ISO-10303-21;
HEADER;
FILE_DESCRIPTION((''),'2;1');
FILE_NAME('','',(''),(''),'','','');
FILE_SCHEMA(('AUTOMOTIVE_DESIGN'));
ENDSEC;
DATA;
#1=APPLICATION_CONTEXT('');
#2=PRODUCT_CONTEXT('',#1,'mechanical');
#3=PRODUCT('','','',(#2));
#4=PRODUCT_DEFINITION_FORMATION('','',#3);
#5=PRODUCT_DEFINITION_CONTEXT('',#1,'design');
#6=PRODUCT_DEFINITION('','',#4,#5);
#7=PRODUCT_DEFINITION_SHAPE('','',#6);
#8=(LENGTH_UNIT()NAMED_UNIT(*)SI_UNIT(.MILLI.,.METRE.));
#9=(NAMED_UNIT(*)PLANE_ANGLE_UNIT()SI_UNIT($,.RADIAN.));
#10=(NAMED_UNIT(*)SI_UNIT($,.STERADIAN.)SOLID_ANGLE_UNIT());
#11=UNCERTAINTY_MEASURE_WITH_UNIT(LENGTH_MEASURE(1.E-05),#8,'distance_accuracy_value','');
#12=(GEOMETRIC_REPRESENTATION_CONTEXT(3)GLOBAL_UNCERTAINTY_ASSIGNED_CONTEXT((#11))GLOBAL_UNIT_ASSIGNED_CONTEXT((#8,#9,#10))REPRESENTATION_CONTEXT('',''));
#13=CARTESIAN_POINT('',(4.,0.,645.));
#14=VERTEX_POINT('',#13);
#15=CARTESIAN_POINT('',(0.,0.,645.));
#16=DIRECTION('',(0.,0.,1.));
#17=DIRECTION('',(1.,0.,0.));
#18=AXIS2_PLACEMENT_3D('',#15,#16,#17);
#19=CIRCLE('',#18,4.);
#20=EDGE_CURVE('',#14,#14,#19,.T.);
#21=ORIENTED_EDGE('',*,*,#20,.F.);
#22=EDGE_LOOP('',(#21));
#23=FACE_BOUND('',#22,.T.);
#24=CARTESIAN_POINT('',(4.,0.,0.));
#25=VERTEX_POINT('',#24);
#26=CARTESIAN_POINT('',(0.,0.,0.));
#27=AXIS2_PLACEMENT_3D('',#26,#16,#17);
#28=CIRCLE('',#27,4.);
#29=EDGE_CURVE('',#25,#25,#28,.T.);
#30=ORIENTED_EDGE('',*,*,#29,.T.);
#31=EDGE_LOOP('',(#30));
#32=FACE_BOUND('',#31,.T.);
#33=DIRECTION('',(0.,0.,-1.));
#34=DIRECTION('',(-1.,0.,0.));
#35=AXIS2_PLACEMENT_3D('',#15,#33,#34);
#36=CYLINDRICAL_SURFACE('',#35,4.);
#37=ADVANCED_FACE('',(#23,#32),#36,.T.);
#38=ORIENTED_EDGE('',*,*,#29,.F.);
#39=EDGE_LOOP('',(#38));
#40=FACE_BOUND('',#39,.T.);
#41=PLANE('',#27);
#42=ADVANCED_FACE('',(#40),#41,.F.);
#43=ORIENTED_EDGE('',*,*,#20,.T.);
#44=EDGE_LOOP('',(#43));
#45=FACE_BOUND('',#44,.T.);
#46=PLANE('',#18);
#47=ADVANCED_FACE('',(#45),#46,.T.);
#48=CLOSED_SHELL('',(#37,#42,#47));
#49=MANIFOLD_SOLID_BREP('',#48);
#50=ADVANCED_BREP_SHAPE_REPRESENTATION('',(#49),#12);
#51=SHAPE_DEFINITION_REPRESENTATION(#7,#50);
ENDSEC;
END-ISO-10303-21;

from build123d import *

# Parameters (mm, degrees)
SKETCH_1_R      = 4
EXTRUDE_1_DEPTH = 645


with BuildPart() as part:
    # 草图1 → 凸台-拉伸1 (new body)
    with BuildSketch(Plane.XY):
        Circle(SKETCH_1_R)
    extrude(amount=EXTRUDE_1_DEPTH)


solid = part.part
